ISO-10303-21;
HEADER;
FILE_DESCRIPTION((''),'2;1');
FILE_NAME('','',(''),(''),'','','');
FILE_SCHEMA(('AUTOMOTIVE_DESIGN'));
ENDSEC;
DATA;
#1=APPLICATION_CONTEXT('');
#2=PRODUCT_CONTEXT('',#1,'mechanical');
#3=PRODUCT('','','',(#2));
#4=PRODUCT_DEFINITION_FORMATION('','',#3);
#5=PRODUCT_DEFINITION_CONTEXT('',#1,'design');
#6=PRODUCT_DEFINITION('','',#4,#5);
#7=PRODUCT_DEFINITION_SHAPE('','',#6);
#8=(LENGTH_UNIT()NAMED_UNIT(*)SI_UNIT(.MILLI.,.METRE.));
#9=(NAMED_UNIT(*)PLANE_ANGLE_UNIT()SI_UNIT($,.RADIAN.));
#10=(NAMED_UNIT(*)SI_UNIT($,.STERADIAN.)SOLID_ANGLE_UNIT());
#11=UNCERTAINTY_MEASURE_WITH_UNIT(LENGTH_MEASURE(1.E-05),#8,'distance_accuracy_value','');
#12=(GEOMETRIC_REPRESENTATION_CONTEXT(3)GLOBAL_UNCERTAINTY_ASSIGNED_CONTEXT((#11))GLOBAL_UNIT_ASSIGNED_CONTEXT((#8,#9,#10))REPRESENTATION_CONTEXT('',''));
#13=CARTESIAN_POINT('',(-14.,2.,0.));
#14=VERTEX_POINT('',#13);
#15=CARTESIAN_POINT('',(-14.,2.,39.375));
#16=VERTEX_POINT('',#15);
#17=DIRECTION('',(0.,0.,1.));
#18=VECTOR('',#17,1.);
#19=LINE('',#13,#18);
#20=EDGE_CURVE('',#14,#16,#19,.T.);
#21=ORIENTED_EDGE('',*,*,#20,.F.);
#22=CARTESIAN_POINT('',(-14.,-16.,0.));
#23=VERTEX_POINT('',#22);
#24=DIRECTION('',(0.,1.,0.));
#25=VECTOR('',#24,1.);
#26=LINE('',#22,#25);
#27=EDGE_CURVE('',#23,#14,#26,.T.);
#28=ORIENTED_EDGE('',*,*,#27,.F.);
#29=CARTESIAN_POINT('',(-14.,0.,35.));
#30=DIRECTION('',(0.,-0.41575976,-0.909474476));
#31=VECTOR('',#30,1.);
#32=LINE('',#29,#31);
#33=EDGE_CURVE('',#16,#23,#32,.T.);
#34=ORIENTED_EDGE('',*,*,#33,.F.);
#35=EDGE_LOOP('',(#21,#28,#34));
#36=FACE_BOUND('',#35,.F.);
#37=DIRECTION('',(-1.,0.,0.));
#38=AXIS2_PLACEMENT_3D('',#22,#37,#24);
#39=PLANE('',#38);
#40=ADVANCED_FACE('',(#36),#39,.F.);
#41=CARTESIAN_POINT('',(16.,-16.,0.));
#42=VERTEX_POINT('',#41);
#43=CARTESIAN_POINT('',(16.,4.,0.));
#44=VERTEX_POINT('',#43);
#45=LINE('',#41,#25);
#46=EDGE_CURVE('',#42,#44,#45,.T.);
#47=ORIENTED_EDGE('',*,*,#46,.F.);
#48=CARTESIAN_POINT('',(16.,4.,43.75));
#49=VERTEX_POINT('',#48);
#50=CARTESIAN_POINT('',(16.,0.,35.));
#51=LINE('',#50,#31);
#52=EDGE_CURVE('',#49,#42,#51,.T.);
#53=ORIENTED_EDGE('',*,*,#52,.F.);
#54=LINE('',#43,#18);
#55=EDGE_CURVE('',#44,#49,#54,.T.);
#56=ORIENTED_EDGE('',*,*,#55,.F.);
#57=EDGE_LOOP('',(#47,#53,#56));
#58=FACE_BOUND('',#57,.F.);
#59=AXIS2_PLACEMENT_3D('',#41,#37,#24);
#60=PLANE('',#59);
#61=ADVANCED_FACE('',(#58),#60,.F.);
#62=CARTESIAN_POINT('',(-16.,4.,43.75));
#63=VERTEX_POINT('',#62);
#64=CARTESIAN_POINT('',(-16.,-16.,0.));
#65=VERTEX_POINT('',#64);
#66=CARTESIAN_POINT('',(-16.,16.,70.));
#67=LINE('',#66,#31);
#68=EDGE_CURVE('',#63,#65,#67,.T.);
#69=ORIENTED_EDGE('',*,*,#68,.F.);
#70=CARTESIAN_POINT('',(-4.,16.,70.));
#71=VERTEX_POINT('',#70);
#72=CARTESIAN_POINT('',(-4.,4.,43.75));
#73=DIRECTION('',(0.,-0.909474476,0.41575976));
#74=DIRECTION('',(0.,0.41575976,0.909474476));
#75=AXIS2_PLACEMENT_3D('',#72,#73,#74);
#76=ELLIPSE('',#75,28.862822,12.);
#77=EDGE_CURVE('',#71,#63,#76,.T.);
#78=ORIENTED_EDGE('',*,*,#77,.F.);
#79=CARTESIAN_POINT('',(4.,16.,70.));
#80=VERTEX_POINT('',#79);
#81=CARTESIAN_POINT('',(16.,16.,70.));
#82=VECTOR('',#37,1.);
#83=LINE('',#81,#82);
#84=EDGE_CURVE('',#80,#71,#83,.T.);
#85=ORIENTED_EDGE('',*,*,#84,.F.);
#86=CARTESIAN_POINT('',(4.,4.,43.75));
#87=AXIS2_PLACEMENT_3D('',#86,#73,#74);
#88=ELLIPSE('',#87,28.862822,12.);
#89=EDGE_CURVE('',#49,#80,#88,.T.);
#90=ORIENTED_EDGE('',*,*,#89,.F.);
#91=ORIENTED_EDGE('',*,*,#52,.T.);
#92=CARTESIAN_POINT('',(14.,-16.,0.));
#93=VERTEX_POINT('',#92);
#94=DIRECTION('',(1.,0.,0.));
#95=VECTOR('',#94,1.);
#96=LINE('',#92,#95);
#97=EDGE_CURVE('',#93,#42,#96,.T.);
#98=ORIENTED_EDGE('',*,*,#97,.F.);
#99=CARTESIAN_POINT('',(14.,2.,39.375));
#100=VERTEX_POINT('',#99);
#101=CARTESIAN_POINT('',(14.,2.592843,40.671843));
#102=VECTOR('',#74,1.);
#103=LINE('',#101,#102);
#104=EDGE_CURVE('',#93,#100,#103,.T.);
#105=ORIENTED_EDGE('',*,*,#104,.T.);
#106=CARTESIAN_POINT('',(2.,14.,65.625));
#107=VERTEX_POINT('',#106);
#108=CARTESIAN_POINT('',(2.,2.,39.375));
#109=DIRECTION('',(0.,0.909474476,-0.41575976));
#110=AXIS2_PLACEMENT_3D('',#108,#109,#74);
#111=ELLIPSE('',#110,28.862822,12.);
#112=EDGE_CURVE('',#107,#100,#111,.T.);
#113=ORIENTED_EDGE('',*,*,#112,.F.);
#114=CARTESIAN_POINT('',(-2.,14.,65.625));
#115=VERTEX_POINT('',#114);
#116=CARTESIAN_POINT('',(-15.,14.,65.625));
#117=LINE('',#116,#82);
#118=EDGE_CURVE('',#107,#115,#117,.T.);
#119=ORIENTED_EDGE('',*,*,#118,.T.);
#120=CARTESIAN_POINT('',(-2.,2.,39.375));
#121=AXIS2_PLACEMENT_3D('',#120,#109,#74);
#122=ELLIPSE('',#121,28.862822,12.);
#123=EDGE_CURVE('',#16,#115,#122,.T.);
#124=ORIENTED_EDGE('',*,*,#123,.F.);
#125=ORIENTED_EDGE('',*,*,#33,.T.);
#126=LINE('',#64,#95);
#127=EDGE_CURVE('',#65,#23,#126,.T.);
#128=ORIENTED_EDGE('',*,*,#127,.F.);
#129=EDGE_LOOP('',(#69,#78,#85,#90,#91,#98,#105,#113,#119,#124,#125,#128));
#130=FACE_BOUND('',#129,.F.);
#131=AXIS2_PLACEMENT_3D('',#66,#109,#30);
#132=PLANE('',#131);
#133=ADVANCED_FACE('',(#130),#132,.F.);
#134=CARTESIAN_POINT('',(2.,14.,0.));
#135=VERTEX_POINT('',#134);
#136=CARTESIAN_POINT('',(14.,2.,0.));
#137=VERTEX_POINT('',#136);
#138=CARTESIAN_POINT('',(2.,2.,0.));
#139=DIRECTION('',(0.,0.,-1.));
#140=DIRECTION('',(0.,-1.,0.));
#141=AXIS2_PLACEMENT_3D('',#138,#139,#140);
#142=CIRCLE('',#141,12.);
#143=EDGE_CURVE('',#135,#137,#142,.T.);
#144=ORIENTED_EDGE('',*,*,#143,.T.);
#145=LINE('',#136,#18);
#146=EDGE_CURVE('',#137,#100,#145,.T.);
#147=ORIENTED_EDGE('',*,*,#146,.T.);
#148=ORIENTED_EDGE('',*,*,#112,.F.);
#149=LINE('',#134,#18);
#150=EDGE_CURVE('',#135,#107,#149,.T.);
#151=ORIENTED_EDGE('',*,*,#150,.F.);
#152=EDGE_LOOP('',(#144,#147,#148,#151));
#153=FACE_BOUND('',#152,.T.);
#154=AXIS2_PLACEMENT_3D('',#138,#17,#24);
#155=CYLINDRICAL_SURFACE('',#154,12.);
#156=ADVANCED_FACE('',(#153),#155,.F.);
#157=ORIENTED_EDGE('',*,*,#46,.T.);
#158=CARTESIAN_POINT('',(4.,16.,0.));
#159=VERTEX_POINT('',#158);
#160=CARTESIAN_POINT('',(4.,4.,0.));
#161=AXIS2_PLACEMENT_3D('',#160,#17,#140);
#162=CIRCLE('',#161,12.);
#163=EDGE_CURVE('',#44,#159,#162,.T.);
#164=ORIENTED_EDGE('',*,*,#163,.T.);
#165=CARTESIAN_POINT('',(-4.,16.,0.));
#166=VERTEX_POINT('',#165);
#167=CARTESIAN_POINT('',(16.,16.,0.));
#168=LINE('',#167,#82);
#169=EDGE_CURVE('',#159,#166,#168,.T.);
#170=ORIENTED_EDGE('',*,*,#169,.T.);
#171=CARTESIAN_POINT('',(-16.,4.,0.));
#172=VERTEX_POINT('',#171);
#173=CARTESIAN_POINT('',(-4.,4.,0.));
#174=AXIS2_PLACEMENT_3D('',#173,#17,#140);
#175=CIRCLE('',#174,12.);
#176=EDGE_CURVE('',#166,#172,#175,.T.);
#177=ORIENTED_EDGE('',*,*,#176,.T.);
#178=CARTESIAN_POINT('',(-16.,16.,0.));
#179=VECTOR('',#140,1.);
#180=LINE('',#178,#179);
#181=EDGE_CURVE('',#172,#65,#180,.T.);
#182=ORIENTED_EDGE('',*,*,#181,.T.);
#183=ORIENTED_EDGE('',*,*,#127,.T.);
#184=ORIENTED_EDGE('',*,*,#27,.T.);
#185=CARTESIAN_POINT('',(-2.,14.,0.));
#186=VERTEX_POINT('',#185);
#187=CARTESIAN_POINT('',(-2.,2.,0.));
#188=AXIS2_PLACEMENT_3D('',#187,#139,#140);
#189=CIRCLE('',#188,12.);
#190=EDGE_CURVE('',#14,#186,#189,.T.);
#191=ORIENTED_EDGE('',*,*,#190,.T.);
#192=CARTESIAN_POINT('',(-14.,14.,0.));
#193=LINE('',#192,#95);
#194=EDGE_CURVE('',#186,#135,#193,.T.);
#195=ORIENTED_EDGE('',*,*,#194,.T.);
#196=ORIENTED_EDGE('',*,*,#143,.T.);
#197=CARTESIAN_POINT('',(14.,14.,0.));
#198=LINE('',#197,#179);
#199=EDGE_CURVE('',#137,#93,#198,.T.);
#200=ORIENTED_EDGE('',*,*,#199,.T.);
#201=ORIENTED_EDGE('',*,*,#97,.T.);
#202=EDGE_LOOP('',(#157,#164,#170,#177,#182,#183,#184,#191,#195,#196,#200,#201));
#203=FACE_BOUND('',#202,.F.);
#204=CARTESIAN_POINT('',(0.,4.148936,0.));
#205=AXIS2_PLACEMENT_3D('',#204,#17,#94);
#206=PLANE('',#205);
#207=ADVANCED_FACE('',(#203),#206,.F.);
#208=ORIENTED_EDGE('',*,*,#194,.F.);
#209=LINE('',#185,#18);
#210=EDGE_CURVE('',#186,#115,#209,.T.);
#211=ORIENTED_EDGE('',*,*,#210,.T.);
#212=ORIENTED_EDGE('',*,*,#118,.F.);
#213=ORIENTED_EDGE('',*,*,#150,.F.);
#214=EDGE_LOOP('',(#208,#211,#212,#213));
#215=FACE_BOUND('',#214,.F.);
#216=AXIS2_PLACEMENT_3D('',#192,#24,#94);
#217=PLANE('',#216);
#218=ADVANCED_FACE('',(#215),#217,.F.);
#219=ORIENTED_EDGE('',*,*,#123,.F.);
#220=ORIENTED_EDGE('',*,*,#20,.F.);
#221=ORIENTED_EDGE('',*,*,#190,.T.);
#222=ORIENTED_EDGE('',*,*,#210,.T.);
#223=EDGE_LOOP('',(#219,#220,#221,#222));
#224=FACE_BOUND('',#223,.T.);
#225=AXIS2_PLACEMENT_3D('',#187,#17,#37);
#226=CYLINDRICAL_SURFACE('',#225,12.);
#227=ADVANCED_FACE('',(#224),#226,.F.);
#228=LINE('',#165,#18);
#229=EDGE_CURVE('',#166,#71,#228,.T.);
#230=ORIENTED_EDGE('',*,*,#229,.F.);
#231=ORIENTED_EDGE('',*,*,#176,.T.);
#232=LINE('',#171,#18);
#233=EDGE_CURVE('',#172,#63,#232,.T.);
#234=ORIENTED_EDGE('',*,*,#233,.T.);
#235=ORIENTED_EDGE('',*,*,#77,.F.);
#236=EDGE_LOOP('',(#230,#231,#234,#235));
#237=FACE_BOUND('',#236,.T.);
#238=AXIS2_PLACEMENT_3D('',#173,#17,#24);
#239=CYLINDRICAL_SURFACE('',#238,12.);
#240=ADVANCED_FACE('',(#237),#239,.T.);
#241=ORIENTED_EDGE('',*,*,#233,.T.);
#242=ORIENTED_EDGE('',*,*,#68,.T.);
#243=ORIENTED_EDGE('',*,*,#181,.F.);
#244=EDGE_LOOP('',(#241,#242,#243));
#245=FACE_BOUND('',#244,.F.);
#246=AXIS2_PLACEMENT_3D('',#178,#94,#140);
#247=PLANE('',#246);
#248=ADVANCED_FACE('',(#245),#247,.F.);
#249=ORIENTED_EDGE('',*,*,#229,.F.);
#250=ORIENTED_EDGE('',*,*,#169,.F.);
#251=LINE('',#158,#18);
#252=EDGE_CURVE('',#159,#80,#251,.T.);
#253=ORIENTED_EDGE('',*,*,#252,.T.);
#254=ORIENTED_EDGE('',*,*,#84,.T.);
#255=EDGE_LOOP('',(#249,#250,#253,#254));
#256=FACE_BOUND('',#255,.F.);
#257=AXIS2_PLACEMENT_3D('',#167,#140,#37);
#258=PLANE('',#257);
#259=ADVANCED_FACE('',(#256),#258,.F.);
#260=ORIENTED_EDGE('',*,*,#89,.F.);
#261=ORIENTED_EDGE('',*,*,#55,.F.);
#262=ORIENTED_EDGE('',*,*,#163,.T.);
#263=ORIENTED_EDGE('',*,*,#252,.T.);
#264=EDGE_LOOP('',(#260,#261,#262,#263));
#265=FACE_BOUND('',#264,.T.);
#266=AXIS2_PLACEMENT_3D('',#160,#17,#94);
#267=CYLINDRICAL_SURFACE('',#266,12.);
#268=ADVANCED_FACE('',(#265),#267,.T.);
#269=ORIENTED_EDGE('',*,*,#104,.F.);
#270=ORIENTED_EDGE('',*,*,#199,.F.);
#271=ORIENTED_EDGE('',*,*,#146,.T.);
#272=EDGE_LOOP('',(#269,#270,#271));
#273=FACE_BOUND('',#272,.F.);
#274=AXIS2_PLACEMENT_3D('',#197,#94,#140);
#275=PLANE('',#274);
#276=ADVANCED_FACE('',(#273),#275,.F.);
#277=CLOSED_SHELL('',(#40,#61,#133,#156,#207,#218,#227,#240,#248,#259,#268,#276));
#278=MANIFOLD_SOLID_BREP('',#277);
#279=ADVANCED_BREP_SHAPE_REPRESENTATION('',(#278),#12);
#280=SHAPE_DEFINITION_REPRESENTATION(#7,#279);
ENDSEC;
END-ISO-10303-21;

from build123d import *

# Parameters (mm, degrees)
F1_DEPTH = 70
F3_DEPTH = 33
F4_R     = 12


with BuildPart() as f1:
    # F0 (on Top) → F1 (new body)
    with BuildSketch(Plane.XY):
        Polygon((14, -16), (16, -16), (16, 16), (-16, 16), (-16, -16), (-14, -16), (-14, 14), (14, 14), align=None)
    extrude(amount=F1_DEPTH)

    # F2 (on face) → F3 (cut)
    with BuildSketch(Plane(origin=(-16, 0, 0), x_dir=(0, -1, 0), z_dir=(-1, 0, 0))):
        Polygon((16, 70), (-16, 70), (16, 0), align=None)
    extrude(amount=-F3_DEPTH, mode=Mode.SUBTRACT)

    # F4
    f4_edges = [f1.edges().sort_by_distance(p)[0] for p in [
        (16, 16, 35),
        (-16, 16, 35),
        (-14, 14, 32.8125),
        (14, 14, 32.8125),
    ]]
    fillet(f4_edges, radius=F4_R)


solid = f1.part
